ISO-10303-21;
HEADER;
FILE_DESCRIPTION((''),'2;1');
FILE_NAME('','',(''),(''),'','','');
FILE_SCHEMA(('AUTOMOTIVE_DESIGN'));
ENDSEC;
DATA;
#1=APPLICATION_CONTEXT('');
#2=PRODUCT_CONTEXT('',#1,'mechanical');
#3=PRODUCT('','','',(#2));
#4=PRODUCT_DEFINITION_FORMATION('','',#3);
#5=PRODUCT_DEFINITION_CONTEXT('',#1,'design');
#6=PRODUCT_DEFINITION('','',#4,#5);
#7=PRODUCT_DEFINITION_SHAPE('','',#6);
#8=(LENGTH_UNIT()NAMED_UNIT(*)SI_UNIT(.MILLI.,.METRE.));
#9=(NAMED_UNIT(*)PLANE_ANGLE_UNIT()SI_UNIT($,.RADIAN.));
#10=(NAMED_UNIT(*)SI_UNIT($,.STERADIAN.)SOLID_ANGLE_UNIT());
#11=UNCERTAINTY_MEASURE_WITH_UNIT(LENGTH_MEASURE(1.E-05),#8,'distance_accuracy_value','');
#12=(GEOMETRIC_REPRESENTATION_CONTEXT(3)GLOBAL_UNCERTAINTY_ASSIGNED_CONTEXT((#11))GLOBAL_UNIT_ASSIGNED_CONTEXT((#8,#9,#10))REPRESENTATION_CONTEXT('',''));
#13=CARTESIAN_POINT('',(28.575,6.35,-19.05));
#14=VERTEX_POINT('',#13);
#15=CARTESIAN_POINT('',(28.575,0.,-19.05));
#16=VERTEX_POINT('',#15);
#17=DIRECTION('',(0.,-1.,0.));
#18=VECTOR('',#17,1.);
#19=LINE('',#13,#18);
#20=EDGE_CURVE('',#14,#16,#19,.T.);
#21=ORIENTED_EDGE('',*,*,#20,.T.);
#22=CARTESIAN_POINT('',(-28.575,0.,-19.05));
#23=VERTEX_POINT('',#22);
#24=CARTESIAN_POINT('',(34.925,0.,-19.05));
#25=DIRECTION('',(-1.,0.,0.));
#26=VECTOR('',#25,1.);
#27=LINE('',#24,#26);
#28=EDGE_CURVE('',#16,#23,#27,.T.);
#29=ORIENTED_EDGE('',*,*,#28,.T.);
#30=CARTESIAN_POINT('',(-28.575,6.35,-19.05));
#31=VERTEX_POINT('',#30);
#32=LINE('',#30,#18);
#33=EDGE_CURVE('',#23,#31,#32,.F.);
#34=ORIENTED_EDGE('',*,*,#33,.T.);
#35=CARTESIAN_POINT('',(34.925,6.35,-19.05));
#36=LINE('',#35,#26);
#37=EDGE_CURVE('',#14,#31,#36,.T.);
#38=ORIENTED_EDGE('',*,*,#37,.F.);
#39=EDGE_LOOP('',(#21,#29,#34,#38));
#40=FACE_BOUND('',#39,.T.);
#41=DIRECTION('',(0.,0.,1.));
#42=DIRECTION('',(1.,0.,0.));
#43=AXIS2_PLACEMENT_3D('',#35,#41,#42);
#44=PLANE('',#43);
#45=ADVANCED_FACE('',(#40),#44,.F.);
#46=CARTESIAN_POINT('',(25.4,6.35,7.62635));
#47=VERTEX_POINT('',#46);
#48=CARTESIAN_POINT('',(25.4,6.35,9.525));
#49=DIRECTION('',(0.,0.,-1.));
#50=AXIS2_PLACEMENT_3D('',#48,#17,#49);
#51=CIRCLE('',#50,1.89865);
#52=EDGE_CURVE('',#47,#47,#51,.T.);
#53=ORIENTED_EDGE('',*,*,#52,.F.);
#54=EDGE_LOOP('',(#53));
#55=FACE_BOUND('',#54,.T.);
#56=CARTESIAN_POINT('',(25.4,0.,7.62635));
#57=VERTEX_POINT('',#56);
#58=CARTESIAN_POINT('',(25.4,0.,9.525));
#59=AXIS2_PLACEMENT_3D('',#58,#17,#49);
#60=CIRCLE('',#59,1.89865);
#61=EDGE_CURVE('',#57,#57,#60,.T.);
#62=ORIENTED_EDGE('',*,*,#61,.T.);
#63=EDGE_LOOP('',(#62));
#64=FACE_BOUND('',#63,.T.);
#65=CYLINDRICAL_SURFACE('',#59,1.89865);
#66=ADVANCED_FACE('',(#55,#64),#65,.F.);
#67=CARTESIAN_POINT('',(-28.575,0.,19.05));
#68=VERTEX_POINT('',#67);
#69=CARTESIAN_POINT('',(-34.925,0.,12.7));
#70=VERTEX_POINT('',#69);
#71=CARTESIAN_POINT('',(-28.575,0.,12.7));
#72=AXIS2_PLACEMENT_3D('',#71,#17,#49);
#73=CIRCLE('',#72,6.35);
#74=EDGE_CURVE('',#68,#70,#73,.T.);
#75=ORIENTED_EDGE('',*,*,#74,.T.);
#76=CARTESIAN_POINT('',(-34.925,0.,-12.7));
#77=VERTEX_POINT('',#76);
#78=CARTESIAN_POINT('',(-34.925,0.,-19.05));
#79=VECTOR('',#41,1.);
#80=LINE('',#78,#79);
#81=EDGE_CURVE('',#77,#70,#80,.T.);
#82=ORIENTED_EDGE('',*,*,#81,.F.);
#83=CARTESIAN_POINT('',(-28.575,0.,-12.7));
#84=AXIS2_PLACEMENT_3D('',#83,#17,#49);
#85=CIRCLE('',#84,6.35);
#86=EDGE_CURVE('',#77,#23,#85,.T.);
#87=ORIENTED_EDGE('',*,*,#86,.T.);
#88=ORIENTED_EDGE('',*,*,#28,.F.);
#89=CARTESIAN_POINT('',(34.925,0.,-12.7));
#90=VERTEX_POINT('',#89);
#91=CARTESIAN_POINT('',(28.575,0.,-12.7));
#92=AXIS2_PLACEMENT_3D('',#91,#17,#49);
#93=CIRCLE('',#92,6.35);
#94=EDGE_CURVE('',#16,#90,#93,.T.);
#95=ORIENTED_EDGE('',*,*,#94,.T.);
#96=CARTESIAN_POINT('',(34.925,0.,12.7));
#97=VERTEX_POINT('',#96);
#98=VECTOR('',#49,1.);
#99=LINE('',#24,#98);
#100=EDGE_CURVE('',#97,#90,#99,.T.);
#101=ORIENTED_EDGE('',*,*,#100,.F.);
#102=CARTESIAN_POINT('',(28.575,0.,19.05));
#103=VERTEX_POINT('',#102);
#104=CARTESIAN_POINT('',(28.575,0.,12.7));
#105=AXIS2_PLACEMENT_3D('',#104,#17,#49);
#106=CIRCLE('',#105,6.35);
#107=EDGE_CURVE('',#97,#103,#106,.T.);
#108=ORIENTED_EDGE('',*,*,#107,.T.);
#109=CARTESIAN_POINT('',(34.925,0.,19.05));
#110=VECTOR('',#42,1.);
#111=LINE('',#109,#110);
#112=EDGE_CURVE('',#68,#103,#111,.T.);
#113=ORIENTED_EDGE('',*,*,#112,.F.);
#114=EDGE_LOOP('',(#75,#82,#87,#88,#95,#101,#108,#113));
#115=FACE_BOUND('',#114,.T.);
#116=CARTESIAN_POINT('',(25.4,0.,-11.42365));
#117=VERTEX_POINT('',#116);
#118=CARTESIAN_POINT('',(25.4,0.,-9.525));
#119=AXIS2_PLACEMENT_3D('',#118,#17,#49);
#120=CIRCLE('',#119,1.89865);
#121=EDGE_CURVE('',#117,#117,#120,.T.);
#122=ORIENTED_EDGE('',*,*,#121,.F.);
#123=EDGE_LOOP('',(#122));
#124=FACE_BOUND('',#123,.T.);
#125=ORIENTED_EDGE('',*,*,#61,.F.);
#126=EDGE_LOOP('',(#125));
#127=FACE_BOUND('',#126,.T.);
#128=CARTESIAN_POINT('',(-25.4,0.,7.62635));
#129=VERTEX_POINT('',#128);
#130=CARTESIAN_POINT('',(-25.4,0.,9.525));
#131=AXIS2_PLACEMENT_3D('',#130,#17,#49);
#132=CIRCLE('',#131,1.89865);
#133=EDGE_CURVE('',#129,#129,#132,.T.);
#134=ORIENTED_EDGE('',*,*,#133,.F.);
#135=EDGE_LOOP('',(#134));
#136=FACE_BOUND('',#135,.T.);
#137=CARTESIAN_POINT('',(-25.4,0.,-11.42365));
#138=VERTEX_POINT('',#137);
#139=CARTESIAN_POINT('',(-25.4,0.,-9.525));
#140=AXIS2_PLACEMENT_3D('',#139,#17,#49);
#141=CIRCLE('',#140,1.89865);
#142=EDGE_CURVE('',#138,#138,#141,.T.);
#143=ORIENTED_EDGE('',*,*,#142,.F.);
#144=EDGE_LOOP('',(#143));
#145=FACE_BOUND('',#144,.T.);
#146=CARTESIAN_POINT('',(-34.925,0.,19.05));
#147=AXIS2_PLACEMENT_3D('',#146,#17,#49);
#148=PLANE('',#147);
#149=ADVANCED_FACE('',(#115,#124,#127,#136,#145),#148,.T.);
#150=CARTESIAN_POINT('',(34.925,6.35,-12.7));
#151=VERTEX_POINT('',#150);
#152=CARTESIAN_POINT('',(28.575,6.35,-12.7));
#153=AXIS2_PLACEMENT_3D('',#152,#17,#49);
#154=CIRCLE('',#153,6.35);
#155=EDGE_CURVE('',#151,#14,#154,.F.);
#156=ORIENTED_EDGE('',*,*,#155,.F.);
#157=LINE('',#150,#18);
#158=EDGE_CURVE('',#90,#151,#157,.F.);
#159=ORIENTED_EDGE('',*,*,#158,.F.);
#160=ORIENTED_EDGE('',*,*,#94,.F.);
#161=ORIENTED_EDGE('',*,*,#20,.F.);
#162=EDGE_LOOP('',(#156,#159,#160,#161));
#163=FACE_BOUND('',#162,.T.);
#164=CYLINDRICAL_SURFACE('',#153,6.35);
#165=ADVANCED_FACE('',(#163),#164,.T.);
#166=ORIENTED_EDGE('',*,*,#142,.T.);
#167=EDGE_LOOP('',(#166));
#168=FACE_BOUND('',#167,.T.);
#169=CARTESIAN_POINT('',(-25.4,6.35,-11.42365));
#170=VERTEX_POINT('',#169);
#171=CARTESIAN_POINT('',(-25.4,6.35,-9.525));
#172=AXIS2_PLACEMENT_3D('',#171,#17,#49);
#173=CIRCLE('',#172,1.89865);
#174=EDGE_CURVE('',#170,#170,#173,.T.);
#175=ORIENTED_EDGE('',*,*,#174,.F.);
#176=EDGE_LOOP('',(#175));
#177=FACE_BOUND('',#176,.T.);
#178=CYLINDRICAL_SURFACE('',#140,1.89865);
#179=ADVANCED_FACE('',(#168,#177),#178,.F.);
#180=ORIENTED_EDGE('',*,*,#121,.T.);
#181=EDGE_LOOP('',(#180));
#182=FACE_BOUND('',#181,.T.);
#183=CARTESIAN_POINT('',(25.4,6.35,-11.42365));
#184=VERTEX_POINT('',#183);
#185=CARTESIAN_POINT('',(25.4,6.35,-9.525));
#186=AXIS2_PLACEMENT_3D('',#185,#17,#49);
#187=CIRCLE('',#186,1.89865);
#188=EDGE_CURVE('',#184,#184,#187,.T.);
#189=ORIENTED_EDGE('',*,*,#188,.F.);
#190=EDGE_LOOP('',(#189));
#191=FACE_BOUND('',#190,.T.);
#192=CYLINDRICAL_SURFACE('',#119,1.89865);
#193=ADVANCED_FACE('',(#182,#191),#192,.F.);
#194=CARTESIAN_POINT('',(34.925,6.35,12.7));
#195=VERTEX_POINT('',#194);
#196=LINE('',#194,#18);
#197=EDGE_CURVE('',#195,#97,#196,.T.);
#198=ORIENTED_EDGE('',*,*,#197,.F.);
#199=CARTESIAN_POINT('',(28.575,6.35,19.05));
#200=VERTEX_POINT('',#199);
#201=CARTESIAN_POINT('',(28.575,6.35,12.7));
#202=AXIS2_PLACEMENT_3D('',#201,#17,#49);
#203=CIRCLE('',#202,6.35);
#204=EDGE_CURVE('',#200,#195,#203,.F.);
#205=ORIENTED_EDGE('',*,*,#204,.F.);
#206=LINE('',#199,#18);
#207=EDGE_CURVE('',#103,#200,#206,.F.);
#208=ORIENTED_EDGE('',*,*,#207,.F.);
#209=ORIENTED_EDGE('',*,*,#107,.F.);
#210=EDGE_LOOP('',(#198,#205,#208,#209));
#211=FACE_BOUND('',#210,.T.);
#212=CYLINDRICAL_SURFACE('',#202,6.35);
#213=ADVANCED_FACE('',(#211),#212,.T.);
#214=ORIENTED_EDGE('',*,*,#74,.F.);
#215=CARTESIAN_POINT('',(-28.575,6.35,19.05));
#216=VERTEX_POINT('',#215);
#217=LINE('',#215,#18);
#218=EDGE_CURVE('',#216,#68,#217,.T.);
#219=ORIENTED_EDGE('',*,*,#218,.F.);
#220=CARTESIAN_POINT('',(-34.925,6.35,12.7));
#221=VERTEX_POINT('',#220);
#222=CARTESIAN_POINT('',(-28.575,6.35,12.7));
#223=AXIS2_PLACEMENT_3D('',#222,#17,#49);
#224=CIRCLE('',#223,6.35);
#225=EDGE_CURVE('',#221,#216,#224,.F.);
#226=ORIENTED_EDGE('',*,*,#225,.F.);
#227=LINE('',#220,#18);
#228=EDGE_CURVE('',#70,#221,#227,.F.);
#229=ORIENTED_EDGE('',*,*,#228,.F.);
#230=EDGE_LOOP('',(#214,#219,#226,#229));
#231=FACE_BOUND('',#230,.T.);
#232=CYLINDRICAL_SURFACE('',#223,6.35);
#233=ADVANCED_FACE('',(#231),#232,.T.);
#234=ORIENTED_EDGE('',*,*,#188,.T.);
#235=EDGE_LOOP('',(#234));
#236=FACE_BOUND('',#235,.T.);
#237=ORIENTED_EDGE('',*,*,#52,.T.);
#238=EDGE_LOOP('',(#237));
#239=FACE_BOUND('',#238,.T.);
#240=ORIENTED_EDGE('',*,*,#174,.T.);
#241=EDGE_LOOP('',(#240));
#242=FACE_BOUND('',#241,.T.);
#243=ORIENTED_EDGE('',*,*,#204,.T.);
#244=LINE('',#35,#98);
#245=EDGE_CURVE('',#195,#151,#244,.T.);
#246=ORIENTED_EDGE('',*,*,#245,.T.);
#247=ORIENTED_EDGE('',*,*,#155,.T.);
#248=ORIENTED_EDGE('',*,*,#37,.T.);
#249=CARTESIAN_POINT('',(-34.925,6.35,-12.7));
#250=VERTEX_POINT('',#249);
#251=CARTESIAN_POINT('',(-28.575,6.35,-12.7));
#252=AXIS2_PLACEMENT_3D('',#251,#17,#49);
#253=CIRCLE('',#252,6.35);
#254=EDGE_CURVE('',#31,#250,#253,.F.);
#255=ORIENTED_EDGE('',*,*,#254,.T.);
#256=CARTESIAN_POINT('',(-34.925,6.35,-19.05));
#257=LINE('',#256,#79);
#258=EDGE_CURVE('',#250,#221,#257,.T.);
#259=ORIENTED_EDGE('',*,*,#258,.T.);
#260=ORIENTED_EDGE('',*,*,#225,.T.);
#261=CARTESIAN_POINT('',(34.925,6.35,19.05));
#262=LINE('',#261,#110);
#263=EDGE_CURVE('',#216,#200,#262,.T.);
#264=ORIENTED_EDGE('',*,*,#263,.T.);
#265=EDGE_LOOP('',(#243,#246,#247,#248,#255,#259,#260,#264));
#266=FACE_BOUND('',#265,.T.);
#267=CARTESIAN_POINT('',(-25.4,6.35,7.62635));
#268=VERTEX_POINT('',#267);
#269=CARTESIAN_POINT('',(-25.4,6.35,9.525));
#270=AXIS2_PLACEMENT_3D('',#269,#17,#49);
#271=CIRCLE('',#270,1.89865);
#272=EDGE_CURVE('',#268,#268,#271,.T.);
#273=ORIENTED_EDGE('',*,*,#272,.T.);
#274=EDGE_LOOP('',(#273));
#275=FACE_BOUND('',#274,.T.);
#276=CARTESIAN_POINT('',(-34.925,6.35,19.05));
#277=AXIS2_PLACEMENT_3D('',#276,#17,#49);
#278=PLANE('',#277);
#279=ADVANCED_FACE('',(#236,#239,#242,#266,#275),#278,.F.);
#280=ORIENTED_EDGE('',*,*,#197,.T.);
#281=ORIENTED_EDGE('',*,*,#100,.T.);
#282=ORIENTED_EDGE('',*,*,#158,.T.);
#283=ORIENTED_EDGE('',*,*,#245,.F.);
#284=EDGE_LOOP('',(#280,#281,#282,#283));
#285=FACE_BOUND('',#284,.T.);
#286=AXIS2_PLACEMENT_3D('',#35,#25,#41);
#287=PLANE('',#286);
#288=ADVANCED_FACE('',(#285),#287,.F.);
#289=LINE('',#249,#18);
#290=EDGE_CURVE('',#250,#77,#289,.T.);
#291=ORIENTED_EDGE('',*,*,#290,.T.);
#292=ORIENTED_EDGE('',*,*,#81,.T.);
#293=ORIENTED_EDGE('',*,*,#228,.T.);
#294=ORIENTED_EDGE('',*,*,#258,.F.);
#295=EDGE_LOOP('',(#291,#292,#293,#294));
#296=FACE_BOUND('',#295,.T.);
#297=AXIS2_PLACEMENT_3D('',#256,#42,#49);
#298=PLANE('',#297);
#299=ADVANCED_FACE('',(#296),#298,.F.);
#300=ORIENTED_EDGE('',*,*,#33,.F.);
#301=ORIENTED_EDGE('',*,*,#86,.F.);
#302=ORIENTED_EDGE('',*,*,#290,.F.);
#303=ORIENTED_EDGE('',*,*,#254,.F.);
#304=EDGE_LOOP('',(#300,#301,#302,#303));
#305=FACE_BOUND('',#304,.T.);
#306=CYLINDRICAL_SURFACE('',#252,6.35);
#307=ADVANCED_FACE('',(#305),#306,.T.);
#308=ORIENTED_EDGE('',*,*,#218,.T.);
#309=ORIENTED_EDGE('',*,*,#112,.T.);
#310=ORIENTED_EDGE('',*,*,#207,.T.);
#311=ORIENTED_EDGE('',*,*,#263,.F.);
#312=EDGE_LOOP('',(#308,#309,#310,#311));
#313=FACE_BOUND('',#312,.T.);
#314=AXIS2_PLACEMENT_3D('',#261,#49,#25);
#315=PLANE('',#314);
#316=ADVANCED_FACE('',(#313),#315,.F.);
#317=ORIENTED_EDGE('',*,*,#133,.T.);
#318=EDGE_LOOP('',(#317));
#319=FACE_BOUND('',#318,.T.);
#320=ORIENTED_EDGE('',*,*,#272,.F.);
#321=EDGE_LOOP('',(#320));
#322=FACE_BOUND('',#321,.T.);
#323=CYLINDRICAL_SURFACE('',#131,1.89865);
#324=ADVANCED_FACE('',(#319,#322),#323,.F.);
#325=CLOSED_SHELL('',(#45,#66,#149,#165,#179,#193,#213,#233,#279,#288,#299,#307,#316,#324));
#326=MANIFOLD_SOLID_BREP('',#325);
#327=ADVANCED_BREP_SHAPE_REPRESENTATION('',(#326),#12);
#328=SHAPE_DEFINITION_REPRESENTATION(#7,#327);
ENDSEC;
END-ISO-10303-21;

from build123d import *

# Parameters (mm, degrees)
SKETCH1_W                 = 69.85
SKETCH1_H                 = 38.1
BOSS_EXTRUDE1_DEPTH       = 6.35
F_6_CLEARANCE_HOLE1_D     = 3.7973
F_6_CLEARANCE_HOLE1_DEPTH = 25.4
F_6_CLEARANCE_HOLE1_TIP   = 1.140824014
FILLET1_R                 = 6.35


with BuildPart() as part:
    # Sketch1 → Boss-Extrude1 (new body)
    with BuildSketch(Plane(origin=(0, 0, 0), x_dir=(1, 0, 0), z_dir=(0, 1, 0))):
        Rectangle(SKETCH1_W, SKETCH1_H)
    extrude(amount=BOSS_EXTRUDE1_DEPTH)

    # #6 Clearance Hole1
    with Locations(Plane.XZ):
        with Locations((-25.4, 9.525), (25.4, -9.525), (-25.4, -9.525), (25.4, 9.525)):
            Hole(F_6_CLEARANCE_HOLE1_D / 2, depth=F_6_CLEARANCE_HOLE1_DEPTH)
            with Locations((0, 0, -(F_6_CLEARANCE_HOLE1_DEPTH + F_6_CLEARANCE_HOLE1_TIP / 2))):  # 118° drill point
                Cone(0, F_6_CLEARANCE_HOLE1_D / 2, F_6_CLEARANCE_HOLE1_TIP, mode=Mode.SUBTRACT)

    # Fillet1
    fillet1_edges = [part.edges().sort_by_distance(p)[0] for p in [
        (-34.925, 3.175, -19.05),
        (34.925, 3.175, -19.05),
        (34.925, 3.175, 19.05),
        (-34.925, 3.175, 19.05),
    ]]
    fillet(fillet1_edges, radius=FILLET1_R)


solid = part.part
